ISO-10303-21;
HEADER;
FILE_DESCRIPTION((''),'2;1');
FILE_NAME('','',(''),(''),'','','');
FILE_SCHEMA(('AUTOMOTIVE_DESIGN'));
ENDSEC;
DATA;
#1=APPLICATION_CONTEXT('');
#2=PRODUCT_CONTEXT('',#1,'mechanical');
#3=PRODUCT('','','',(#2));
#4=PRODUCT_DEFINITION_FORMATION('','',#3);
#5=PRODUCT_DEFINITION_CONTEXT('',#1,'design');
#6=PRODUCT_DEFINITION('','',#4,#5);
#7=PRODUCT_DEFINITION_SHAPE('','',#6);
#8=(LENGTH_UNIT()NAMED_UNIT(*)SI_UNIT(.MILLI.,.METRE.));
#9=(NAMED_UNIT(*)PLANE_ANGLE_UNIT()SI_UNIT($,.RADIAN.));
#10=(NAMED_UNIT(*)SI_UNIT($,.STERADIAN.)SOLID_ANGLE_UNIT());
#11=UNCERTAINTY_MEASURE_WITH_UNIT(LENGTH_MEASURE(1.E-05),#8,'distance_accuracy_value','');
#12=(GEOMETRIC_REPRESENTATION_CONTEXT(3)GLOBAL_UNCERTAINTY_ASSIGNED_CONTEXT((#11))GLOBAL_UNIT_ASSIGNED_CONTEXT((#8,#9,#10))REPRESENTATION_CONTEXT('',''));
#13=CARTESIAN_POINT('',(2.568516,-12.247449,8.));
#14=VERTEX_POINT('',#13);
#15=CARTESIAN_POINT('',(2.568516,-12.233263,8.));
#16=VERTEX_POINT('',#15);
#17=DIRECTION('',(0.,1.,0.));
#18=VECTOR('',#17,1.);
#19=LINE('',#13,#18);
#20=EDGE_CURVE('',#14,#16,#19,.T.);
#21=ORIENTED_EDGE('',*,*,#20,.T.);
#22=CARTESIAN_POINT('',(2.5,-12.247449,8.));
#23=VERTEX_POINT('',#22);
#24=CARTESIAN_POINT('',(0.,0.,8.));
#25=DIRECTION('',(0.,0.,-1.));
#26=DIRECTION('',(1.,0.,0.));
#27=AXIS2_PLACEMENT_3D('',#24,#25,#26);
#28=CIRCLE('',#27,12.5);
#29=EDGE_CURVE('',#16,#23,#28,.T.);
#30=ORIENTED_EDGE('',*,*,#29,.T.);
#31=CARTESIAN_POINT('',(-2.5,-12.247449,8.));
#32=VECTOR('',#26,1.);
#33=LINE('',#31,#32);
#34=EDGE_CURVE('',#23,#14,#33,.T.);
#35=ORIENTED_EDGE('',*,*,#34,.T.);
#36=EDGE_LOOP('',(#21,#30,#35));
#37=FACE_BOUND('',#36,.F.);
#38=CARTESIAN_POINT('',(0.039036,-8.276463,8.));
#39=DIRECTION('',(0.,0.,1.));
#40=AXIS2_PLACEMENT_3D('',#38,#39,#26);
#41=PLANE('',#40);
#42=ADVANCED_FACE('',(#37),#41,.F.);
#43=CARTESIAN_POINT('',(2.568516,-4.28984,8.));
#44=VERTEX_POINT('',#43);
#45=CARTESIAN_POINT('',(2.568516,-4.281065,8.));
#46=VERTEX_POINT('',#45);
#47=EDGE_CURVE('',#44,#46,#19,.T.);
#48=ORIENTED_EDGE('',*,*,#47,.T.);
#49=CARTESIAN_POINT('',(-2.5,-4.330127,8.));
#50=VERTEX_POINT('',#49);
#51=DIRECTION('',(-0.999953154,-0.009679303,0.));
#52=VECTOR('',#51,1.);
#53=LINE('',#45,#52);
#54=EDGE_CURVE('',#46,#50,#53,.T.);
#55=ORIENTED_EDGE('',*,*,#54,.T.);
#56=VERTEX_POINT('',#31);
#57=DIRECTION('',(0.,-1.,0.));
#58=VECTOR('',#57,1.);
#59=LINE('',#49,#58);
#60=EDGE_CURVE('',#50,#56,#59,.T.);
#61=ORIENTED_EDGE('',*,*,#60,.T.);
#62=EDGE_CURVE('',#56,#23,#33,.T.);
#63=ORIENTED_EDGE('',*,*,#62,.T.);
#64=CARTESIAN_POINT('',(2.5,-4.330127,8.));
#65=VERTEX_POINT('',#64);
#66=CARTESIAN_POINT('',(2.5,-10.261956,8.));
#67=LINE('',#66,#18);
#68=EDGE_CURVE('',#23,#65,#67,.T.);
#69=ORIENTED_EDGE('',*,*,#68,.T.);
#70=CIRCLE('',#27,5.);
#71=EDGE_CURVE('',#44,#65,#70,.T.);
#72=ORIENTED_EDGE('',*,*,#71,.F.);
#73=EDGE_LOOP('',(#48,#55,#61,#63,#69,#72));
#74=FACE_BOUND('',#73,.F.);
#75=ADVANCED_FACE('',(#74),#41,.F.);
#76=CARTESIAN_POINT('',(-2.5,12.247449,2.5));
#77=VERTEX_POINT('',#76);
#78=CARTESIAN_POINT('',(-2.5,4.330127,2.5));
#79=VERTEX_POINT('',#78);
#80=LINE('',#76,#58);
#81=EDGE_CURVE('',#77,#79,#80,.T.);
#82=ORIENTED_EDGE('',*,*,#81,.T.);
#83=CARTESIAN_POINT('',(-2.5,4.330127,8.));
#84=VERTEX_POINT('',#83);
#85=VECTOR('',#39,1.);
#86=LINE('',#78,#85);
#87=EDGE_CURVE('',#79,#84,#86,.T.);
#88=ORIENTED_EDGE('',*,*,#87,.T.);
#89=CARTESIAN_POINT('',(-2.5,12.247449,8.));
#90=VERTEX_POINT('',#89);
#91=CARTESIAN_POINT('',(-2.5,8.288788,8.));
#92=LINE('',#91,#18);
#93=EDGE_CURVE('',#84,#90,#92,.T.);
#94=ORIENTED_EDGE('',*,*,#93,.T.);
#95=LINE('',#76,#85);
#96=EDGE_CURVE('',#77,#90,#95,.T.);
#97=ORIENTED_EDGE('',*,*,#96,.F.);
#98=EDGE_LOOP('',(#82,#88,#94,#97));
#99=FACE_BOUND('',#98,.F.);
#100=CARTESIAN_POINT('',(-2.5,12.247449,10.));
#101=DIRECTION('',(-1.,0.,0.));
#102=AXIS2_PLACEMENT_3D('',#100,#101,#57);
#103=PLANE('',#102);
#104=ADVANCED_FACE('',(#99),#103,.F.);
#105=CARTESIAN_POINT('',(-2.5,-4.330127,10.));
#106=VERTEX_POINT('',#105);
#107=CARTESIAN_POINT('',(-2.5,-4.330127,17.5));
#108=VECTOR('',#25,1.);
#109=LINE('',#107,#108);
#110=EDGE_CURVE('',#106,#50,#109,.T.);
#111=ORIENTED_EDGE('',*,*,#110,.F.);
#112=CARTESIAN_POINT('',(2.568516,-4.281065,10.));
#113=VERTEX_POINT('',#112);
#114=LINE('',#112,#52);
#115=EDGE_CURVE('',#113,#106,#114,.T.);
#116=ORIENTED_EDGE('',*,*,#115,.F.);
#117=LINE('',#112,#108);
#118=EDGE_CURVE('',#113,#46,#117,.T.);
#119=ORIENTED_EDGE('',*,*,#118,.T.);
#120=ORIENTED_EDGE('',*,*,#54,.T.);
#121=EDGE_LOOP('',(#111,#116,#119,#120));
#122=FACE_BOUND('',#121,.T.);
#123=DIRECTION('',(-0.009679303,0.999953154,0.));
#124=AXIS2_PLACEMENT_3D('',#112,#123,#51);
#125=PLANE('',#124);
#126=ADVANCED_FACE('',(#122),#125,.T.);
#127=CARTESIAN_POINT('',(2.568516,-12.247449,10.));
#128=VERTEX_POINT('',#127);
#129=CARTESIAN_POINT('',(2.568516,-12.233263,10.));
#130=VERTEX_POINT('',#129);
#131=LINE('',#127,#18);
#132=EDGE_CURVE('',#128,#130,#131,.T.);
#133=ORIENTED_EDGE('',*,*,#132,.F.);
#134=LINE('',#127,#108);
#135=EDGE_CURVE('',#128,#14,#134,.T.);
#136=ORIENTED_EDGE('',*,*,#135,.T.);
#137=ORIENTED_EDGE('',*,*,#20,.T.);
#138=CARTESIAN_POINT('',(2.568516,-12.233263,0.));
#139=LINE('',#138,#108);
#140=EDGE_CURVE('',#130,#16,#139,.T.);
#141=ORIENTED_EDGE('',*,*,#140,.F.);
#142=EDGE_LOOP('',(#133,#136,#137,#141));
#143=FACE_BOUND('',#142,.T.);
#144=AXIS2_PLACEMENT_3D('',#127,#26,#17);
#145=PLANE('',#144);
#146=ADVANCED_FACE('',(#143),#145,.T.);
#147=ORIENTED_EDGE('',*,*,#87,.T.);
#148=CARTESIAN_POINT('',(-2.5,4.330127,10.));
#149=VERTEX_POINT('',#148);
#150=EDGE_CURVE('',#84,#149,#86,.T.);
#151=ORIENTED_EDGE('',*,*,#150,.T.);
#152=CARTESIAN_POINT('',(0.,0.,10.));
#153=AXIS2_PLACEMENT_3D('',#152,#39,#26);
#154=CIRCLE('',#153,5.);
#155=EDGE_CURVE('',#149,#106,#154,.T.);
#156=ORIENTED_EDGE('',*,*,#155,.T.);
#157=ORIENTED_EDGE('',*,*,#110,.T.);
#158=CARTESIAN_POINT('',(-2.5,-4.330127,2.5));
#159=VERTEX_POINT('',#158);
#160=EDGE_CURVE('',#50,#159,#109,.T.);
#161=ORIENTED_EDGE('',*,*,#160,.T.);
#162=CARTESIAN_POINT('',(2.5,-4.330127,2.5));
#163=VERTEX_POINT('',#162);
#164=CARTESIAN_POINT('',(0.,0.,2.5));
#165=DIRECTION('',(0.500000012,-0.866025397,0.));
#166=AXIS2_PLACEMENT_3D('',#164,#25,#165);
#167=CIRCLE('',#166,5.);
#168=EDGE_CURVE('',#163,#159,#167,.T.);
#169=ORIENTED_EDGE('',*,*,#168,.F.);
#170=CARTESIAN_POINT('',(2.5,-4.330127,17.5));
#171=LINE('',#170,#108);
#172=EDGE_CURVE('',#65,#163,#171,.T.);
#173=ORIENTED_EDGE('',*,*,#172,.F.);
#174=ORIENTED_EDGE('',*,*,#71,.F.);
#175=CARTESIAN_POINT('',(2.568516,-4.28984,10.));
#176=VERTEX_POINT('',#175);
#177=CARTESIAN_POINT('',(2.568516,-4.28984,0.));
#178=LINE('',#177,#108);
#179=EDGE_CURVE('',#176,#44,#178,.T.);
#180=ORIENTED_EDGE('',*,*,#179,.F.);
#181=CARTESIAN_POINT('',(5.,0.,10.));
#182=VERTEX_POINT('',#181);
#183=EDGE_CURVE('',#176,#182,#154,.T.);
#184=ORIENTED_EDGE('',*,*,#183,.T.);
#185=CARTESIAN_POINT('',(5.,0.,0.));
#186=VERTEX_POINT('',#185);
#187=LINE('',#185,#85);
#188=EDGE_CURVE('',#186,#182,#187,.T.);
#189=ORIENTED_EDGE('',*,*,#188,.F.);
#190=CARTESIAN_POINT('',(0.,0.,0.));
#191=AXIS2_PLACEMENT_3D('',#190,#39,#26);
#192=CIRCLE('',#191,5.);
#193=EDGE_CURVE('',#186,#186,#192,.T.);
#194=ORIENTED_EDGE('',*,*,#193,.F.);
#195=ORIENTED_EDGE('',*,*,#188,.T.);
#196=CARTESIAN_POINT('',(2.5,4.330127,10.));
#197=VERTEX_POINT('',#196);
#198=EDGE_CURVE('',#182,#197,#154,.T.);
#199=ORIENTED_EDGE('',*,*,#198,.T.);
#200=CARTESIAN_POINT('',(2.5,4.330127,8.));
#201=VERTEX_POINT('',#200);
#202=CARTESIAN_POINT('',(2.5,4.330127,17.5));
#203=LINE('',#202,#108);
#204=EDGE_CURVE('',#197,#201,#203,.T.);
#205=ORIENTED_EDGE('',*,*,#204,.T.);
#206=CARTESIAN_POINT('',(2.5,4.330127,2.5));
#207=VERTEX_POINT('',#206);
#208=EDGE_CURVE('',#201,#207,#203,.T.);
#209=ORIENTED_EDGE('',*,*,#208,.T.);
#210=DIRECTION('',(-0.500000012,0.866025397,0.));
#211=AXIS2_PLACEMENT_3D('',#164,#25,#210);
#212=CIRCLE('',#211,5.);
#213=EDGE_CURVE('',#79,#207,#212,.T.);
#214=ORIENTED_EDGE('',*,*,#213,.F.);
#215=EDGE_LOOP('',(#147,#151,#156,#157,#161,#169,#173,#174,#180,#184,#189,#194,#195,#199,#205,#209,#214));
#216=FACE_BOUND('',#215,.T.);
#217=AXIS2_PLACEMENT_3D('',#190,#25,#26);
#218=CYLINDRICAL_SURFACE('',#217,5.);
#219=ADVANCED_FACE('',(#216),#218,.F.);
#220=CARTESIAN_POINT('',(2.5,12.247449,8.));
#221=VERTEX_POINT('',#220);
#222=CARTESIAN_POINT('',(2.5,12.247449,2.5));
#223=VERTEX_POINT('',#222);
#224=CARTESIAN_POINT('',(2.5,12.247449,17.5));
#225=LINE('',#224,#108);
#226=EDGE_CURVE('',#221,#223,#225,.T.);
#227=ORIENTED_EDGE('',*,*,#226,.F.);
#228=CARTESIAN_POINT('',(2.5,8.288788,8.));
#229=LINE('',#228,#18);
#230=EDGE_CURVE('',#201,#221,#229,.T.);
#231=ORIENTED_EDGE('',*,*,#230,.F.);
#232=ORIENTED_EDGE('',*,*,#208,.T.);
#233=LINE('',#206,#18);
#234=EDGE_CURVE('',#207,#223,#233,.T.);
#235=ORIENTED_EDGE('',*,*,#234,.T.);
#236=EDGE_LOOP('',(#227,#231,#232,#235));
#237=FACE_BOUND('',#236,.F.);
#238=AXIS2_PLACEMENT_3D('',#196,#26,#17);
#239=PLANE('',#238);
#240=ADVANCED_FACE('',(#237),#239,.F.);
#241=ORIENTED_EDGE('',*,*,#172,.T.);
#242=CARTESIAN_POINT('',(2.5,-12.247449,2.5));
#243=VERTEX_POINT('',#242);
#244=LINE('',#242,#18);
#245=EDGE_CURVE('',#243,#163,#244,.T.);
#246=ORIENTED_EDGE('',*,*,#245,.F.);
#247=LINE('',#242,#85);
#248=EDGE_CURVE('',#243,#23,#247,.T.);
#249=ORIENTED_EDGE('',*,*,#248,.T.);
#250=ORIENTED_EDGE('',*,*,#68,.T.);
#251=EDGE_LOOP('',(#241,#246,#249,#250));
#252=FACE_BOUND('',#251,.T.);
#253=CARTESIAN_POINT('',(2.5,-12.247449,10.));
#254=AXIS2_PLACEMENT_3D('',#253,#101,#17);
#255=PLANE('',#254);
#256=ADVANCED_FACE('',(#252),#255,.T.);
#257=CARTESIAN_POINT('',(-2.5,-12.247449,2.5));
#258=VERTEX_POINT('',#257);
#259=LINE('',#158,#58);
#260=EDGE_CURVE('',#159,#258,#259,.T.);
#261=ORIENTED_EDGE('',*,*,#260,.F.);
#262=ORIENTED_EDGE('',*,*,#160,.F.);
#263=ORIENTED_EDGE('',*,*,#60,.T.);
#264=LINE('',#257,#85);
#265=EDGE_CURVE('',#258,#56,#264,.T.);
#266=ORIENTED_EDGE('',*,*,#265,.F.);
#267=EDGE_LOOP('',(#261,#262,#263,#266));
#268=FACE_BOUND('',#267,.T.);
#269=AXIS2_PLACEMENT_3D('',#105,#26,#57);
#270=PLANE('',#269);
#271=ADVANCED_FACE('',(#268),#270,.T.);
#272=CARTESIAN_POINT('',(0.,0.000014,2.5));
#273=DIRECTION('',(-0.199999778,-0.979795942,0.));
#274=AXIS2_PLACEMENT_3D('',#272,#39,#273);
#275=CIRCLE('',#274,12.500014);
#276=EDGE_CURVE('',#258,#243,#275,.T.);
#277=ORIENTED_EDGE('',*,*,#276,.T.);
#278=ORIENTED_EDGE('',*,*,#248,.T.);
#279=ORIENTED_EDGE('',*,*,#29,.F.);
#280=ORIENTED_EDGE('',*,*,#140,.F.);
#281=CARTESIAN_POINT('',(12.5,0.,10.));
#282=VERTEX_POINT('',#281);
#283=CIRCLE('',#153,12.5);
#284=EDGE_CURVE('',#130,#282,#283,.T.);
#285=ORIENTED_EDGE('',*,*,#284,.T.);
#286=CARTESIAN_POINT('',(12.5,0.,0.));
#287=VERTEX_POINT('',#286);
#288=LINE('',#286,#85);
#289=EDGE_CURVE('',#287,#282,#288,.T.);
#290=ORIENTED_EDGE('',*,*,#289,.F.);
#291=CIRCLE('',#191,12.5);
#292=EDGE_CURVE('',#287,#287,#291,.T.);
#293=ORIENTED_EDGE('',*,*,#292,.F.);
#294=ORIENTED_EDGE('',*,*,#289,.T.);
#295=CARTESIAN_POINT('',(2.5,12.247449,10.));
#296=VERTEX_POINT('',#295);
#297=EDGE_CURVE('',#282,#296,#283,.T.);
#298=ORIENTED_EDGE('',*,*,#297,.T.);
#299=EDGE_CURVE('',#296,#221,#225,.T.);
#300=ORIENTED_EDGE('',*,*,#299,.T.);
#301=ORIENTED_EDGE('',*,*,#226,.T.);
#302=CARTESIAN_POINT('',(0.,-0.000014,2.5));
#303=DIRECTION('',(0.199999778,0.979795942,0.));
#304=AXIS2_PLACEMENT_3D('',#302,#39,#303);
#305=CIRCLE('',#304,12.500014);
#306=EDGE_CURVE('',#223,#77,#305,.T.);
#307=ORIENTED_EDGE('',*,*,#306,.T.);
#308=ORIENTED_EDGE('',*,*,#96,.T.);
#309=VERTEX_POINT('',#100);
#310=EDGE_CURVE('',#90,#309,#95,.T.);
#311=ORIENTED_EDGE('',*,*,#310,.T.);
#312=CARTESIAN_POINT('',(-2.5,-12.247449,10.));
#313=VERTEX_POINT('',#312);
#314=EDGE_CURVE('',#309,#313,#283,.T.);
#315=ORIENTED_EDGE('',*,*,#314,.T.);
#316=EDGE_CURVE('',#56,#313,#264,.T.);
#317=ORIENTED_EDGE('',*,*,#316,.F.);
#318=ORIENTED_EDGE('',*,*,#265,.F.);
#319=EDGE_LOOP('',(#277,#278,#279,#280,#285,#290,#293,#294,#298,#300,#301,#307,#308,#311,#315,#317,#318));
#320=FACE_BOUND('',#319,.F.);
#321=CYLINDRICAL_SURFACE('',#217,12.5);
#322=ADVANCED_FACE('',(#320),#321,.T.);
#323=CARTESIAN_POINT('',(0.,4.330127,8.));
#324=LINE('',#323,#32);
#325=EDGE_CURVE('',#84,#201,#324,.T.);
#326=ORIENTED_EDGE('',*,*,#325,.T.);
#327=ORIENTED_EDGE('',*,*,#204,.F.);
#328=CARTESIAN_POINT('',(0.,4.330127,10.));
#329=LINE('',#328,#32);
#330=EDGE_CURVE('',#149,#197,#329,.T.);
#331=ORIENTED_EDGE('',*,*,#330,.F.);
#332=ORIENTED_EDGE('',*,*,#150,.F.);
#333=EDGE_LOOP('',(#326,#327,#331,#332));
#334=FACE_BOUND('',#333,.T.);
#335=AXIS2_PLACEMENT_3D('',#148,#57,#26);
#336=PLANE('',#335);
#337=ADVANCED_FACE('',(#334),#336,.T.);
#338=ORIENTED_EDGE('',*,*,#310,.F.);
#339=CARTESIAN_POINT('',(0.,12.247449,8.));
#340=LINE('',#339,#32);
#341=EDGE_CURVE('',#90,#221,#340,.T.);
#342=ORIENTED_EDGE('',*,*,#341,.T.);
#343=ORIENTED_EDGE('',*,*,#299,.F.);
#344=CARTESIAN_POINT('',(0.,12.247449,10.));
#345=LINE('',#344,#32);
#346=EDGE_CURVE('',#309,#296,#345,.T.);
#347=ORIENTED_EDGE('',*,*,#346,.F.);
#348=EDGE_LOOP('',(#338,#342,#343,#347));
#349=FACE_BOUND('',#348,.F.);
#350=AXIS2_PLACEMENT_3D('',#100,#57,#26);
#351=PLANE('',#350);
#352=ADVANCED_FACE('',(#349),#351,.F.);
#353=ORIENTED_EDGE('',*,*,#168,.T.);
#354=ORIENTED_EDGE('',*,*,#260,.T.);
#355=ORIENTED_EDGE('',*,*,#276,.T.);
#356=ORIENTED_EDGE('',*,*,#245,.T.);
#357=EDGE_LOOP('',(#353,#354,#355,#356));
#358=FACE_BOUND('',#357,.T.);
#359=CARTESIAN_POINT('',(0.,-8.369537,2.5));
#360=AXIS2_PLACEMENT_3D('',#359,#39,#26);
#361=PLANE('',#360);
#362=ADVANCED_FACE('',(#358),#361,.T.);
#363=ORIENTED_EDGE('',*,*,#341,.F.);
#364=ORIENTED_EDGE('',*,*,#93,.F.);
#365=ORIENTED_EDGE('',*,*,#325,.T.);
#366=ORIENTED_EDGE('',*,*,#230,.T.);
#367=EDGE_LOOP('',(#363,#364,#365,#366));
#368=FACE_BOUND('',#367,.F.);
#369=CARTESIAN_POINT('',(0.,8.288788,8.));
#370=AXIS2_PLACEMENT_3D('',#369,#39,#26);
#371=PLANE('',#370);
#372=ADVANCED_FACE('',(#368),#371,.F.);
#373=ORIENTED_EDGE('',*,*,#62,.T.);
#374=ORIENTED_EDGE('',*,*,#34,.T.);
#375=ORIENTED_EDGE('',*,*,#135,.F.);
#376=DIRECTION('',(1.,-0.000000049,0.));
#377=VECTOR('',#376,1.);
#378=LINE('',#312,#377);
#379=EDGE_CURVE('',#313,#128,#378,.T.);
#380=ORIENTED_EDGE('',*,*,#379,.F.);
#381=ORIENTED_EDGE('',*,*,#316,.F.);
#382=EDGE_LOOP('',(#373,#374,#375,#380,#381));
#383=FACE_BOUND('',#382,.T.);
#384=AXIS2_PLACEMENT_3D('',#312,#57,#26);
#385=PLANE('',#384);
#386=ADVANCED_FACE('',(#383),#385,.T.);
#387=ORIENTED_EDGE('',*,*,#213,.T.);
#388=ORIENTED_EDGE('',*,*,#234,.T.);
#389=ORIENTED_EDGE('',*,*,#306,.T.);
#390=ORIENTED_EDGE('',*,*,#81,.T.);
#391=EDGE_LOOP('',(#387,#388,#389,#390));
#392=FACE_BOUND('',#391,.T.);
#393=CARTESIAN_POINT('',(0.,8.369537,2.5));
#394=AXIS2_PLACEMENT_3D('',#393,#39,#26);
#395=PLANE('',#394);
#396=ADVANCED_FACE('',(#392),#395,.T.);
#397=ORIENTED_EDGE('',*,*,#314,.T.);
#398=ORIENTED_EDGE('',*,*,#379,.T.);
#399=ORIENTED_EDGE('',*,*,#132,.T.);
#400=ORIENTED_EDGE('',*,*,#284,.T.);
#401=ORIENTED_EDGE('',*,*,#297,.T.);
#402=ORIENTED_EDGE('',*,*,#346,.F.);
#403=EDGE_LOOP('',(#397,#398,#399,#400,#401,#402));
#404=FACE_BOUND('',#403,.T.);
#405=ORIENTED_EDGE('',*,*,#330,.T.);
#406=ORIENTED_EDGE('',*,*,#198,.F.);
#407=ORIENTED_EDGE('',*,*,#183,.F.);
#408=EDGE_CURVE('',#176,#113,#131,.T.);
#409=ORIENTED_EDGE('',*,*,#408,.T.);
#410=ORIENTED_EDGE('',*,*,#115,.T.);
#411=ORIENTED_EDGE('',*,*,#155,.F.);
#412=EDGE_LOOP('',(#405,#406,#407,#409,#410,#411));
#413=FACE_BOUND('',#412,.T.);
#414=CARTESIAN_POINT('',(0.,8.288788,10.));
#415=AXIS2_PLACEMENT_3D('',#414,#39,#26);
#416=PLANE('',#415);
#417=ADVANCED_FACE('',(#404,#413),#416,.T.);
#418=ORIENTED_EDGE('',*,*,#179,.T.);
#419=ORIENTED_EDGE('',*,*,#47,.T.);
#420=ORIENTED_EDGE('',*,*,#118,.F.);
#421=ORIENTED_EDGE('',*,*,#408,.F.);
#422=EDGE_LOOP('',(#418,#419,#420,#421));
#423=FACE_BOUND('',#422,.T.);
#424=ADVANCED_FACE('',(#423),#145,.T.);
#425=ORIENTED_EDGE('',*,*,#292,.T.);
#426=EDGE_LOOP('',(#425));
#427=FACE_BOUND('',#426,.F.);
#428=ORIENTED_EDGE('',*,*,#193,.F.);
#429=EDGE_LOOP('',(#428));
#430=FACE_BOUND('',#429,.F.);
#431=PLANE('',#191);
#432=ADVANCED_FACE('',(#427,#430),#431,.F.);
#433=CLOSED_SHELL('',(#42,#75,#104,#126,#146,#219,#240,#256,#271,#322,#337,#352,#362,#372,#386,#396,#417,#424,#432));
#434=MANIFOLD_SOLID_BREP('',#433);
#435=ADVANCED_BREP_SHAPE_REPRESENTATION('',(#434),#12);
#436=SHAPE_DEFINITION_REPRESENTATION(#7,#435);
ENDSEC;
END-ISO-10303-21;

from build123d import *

# Parameters (mm, degrees)
F0_R     = 12.5
F0_R_2   = 5
F1_DEPTH = 10
F3_DEPTH = 7.5
F5_DEPTH = 2
F6_W     = 5
F6_H     = 7.917322
F7_DEPTH = 2


with BuildPart() as f1:
    # F0 (on Top) → F1 (new body)
    with BuildSketch(Plane.XY):
        Circle(F0_R)
        Circle(F0_R_2, mode=Mode.SUBTRACT)
    extrude(amount=F1_DEPTH)

    # F2 (on face) → F3 (cut, symmetric)
    with BuildSketch(Plane.XY.offset(10)):
        with BuildLine():
            Line((-2.5, -4.330127), (-2.5, -12.247449))
            ThreePointArc((-2.5, -12.247449), (0, -12.5), (2.5, -12.247449))
            Line((2.5, -12.247449), (2.5, -4.330127))
            ThreePointArc((2.5, -4.330127), (0, -5), (-2.5, -4.330127))
        make_face()
        with BuildLine():
            ThreePointArc((2.5, 12.247449), (0, 12.5), (-2.5, 12.247449))
            Line((-2.5, 12.247449), (-2.5, 4.330127))
            ThreePointArc((-2.5, 4.330127), (0, 5), (2.5, 4.330127))
            Line((2.5, 4.330127), (2.5, 12.247449))
        make_face()
    extrude(amount=F3_DEPTH, both=True, mode=Mode.SUBTRACT)

    # F4 (on face) → F5 (join)
    with BuildSketch(Plane.XY.offset(10)):
        Polygon((-2.5, -4.330127), (-2.5, -12.247449), (2.568516, -12.247449), (2.568516, -4.281065), align=None)
    extrude(amount=-F5_DEPTH)

    # F6 (on face) → F7 (join)
    with BuildSketch(Plane.XY.offset(10)):
        with Locations((0, 8.288788)):
            Rectangle(F6_W, F6_H)
    extrude(amount=-F7_DEPTH)


solid = f1.part
